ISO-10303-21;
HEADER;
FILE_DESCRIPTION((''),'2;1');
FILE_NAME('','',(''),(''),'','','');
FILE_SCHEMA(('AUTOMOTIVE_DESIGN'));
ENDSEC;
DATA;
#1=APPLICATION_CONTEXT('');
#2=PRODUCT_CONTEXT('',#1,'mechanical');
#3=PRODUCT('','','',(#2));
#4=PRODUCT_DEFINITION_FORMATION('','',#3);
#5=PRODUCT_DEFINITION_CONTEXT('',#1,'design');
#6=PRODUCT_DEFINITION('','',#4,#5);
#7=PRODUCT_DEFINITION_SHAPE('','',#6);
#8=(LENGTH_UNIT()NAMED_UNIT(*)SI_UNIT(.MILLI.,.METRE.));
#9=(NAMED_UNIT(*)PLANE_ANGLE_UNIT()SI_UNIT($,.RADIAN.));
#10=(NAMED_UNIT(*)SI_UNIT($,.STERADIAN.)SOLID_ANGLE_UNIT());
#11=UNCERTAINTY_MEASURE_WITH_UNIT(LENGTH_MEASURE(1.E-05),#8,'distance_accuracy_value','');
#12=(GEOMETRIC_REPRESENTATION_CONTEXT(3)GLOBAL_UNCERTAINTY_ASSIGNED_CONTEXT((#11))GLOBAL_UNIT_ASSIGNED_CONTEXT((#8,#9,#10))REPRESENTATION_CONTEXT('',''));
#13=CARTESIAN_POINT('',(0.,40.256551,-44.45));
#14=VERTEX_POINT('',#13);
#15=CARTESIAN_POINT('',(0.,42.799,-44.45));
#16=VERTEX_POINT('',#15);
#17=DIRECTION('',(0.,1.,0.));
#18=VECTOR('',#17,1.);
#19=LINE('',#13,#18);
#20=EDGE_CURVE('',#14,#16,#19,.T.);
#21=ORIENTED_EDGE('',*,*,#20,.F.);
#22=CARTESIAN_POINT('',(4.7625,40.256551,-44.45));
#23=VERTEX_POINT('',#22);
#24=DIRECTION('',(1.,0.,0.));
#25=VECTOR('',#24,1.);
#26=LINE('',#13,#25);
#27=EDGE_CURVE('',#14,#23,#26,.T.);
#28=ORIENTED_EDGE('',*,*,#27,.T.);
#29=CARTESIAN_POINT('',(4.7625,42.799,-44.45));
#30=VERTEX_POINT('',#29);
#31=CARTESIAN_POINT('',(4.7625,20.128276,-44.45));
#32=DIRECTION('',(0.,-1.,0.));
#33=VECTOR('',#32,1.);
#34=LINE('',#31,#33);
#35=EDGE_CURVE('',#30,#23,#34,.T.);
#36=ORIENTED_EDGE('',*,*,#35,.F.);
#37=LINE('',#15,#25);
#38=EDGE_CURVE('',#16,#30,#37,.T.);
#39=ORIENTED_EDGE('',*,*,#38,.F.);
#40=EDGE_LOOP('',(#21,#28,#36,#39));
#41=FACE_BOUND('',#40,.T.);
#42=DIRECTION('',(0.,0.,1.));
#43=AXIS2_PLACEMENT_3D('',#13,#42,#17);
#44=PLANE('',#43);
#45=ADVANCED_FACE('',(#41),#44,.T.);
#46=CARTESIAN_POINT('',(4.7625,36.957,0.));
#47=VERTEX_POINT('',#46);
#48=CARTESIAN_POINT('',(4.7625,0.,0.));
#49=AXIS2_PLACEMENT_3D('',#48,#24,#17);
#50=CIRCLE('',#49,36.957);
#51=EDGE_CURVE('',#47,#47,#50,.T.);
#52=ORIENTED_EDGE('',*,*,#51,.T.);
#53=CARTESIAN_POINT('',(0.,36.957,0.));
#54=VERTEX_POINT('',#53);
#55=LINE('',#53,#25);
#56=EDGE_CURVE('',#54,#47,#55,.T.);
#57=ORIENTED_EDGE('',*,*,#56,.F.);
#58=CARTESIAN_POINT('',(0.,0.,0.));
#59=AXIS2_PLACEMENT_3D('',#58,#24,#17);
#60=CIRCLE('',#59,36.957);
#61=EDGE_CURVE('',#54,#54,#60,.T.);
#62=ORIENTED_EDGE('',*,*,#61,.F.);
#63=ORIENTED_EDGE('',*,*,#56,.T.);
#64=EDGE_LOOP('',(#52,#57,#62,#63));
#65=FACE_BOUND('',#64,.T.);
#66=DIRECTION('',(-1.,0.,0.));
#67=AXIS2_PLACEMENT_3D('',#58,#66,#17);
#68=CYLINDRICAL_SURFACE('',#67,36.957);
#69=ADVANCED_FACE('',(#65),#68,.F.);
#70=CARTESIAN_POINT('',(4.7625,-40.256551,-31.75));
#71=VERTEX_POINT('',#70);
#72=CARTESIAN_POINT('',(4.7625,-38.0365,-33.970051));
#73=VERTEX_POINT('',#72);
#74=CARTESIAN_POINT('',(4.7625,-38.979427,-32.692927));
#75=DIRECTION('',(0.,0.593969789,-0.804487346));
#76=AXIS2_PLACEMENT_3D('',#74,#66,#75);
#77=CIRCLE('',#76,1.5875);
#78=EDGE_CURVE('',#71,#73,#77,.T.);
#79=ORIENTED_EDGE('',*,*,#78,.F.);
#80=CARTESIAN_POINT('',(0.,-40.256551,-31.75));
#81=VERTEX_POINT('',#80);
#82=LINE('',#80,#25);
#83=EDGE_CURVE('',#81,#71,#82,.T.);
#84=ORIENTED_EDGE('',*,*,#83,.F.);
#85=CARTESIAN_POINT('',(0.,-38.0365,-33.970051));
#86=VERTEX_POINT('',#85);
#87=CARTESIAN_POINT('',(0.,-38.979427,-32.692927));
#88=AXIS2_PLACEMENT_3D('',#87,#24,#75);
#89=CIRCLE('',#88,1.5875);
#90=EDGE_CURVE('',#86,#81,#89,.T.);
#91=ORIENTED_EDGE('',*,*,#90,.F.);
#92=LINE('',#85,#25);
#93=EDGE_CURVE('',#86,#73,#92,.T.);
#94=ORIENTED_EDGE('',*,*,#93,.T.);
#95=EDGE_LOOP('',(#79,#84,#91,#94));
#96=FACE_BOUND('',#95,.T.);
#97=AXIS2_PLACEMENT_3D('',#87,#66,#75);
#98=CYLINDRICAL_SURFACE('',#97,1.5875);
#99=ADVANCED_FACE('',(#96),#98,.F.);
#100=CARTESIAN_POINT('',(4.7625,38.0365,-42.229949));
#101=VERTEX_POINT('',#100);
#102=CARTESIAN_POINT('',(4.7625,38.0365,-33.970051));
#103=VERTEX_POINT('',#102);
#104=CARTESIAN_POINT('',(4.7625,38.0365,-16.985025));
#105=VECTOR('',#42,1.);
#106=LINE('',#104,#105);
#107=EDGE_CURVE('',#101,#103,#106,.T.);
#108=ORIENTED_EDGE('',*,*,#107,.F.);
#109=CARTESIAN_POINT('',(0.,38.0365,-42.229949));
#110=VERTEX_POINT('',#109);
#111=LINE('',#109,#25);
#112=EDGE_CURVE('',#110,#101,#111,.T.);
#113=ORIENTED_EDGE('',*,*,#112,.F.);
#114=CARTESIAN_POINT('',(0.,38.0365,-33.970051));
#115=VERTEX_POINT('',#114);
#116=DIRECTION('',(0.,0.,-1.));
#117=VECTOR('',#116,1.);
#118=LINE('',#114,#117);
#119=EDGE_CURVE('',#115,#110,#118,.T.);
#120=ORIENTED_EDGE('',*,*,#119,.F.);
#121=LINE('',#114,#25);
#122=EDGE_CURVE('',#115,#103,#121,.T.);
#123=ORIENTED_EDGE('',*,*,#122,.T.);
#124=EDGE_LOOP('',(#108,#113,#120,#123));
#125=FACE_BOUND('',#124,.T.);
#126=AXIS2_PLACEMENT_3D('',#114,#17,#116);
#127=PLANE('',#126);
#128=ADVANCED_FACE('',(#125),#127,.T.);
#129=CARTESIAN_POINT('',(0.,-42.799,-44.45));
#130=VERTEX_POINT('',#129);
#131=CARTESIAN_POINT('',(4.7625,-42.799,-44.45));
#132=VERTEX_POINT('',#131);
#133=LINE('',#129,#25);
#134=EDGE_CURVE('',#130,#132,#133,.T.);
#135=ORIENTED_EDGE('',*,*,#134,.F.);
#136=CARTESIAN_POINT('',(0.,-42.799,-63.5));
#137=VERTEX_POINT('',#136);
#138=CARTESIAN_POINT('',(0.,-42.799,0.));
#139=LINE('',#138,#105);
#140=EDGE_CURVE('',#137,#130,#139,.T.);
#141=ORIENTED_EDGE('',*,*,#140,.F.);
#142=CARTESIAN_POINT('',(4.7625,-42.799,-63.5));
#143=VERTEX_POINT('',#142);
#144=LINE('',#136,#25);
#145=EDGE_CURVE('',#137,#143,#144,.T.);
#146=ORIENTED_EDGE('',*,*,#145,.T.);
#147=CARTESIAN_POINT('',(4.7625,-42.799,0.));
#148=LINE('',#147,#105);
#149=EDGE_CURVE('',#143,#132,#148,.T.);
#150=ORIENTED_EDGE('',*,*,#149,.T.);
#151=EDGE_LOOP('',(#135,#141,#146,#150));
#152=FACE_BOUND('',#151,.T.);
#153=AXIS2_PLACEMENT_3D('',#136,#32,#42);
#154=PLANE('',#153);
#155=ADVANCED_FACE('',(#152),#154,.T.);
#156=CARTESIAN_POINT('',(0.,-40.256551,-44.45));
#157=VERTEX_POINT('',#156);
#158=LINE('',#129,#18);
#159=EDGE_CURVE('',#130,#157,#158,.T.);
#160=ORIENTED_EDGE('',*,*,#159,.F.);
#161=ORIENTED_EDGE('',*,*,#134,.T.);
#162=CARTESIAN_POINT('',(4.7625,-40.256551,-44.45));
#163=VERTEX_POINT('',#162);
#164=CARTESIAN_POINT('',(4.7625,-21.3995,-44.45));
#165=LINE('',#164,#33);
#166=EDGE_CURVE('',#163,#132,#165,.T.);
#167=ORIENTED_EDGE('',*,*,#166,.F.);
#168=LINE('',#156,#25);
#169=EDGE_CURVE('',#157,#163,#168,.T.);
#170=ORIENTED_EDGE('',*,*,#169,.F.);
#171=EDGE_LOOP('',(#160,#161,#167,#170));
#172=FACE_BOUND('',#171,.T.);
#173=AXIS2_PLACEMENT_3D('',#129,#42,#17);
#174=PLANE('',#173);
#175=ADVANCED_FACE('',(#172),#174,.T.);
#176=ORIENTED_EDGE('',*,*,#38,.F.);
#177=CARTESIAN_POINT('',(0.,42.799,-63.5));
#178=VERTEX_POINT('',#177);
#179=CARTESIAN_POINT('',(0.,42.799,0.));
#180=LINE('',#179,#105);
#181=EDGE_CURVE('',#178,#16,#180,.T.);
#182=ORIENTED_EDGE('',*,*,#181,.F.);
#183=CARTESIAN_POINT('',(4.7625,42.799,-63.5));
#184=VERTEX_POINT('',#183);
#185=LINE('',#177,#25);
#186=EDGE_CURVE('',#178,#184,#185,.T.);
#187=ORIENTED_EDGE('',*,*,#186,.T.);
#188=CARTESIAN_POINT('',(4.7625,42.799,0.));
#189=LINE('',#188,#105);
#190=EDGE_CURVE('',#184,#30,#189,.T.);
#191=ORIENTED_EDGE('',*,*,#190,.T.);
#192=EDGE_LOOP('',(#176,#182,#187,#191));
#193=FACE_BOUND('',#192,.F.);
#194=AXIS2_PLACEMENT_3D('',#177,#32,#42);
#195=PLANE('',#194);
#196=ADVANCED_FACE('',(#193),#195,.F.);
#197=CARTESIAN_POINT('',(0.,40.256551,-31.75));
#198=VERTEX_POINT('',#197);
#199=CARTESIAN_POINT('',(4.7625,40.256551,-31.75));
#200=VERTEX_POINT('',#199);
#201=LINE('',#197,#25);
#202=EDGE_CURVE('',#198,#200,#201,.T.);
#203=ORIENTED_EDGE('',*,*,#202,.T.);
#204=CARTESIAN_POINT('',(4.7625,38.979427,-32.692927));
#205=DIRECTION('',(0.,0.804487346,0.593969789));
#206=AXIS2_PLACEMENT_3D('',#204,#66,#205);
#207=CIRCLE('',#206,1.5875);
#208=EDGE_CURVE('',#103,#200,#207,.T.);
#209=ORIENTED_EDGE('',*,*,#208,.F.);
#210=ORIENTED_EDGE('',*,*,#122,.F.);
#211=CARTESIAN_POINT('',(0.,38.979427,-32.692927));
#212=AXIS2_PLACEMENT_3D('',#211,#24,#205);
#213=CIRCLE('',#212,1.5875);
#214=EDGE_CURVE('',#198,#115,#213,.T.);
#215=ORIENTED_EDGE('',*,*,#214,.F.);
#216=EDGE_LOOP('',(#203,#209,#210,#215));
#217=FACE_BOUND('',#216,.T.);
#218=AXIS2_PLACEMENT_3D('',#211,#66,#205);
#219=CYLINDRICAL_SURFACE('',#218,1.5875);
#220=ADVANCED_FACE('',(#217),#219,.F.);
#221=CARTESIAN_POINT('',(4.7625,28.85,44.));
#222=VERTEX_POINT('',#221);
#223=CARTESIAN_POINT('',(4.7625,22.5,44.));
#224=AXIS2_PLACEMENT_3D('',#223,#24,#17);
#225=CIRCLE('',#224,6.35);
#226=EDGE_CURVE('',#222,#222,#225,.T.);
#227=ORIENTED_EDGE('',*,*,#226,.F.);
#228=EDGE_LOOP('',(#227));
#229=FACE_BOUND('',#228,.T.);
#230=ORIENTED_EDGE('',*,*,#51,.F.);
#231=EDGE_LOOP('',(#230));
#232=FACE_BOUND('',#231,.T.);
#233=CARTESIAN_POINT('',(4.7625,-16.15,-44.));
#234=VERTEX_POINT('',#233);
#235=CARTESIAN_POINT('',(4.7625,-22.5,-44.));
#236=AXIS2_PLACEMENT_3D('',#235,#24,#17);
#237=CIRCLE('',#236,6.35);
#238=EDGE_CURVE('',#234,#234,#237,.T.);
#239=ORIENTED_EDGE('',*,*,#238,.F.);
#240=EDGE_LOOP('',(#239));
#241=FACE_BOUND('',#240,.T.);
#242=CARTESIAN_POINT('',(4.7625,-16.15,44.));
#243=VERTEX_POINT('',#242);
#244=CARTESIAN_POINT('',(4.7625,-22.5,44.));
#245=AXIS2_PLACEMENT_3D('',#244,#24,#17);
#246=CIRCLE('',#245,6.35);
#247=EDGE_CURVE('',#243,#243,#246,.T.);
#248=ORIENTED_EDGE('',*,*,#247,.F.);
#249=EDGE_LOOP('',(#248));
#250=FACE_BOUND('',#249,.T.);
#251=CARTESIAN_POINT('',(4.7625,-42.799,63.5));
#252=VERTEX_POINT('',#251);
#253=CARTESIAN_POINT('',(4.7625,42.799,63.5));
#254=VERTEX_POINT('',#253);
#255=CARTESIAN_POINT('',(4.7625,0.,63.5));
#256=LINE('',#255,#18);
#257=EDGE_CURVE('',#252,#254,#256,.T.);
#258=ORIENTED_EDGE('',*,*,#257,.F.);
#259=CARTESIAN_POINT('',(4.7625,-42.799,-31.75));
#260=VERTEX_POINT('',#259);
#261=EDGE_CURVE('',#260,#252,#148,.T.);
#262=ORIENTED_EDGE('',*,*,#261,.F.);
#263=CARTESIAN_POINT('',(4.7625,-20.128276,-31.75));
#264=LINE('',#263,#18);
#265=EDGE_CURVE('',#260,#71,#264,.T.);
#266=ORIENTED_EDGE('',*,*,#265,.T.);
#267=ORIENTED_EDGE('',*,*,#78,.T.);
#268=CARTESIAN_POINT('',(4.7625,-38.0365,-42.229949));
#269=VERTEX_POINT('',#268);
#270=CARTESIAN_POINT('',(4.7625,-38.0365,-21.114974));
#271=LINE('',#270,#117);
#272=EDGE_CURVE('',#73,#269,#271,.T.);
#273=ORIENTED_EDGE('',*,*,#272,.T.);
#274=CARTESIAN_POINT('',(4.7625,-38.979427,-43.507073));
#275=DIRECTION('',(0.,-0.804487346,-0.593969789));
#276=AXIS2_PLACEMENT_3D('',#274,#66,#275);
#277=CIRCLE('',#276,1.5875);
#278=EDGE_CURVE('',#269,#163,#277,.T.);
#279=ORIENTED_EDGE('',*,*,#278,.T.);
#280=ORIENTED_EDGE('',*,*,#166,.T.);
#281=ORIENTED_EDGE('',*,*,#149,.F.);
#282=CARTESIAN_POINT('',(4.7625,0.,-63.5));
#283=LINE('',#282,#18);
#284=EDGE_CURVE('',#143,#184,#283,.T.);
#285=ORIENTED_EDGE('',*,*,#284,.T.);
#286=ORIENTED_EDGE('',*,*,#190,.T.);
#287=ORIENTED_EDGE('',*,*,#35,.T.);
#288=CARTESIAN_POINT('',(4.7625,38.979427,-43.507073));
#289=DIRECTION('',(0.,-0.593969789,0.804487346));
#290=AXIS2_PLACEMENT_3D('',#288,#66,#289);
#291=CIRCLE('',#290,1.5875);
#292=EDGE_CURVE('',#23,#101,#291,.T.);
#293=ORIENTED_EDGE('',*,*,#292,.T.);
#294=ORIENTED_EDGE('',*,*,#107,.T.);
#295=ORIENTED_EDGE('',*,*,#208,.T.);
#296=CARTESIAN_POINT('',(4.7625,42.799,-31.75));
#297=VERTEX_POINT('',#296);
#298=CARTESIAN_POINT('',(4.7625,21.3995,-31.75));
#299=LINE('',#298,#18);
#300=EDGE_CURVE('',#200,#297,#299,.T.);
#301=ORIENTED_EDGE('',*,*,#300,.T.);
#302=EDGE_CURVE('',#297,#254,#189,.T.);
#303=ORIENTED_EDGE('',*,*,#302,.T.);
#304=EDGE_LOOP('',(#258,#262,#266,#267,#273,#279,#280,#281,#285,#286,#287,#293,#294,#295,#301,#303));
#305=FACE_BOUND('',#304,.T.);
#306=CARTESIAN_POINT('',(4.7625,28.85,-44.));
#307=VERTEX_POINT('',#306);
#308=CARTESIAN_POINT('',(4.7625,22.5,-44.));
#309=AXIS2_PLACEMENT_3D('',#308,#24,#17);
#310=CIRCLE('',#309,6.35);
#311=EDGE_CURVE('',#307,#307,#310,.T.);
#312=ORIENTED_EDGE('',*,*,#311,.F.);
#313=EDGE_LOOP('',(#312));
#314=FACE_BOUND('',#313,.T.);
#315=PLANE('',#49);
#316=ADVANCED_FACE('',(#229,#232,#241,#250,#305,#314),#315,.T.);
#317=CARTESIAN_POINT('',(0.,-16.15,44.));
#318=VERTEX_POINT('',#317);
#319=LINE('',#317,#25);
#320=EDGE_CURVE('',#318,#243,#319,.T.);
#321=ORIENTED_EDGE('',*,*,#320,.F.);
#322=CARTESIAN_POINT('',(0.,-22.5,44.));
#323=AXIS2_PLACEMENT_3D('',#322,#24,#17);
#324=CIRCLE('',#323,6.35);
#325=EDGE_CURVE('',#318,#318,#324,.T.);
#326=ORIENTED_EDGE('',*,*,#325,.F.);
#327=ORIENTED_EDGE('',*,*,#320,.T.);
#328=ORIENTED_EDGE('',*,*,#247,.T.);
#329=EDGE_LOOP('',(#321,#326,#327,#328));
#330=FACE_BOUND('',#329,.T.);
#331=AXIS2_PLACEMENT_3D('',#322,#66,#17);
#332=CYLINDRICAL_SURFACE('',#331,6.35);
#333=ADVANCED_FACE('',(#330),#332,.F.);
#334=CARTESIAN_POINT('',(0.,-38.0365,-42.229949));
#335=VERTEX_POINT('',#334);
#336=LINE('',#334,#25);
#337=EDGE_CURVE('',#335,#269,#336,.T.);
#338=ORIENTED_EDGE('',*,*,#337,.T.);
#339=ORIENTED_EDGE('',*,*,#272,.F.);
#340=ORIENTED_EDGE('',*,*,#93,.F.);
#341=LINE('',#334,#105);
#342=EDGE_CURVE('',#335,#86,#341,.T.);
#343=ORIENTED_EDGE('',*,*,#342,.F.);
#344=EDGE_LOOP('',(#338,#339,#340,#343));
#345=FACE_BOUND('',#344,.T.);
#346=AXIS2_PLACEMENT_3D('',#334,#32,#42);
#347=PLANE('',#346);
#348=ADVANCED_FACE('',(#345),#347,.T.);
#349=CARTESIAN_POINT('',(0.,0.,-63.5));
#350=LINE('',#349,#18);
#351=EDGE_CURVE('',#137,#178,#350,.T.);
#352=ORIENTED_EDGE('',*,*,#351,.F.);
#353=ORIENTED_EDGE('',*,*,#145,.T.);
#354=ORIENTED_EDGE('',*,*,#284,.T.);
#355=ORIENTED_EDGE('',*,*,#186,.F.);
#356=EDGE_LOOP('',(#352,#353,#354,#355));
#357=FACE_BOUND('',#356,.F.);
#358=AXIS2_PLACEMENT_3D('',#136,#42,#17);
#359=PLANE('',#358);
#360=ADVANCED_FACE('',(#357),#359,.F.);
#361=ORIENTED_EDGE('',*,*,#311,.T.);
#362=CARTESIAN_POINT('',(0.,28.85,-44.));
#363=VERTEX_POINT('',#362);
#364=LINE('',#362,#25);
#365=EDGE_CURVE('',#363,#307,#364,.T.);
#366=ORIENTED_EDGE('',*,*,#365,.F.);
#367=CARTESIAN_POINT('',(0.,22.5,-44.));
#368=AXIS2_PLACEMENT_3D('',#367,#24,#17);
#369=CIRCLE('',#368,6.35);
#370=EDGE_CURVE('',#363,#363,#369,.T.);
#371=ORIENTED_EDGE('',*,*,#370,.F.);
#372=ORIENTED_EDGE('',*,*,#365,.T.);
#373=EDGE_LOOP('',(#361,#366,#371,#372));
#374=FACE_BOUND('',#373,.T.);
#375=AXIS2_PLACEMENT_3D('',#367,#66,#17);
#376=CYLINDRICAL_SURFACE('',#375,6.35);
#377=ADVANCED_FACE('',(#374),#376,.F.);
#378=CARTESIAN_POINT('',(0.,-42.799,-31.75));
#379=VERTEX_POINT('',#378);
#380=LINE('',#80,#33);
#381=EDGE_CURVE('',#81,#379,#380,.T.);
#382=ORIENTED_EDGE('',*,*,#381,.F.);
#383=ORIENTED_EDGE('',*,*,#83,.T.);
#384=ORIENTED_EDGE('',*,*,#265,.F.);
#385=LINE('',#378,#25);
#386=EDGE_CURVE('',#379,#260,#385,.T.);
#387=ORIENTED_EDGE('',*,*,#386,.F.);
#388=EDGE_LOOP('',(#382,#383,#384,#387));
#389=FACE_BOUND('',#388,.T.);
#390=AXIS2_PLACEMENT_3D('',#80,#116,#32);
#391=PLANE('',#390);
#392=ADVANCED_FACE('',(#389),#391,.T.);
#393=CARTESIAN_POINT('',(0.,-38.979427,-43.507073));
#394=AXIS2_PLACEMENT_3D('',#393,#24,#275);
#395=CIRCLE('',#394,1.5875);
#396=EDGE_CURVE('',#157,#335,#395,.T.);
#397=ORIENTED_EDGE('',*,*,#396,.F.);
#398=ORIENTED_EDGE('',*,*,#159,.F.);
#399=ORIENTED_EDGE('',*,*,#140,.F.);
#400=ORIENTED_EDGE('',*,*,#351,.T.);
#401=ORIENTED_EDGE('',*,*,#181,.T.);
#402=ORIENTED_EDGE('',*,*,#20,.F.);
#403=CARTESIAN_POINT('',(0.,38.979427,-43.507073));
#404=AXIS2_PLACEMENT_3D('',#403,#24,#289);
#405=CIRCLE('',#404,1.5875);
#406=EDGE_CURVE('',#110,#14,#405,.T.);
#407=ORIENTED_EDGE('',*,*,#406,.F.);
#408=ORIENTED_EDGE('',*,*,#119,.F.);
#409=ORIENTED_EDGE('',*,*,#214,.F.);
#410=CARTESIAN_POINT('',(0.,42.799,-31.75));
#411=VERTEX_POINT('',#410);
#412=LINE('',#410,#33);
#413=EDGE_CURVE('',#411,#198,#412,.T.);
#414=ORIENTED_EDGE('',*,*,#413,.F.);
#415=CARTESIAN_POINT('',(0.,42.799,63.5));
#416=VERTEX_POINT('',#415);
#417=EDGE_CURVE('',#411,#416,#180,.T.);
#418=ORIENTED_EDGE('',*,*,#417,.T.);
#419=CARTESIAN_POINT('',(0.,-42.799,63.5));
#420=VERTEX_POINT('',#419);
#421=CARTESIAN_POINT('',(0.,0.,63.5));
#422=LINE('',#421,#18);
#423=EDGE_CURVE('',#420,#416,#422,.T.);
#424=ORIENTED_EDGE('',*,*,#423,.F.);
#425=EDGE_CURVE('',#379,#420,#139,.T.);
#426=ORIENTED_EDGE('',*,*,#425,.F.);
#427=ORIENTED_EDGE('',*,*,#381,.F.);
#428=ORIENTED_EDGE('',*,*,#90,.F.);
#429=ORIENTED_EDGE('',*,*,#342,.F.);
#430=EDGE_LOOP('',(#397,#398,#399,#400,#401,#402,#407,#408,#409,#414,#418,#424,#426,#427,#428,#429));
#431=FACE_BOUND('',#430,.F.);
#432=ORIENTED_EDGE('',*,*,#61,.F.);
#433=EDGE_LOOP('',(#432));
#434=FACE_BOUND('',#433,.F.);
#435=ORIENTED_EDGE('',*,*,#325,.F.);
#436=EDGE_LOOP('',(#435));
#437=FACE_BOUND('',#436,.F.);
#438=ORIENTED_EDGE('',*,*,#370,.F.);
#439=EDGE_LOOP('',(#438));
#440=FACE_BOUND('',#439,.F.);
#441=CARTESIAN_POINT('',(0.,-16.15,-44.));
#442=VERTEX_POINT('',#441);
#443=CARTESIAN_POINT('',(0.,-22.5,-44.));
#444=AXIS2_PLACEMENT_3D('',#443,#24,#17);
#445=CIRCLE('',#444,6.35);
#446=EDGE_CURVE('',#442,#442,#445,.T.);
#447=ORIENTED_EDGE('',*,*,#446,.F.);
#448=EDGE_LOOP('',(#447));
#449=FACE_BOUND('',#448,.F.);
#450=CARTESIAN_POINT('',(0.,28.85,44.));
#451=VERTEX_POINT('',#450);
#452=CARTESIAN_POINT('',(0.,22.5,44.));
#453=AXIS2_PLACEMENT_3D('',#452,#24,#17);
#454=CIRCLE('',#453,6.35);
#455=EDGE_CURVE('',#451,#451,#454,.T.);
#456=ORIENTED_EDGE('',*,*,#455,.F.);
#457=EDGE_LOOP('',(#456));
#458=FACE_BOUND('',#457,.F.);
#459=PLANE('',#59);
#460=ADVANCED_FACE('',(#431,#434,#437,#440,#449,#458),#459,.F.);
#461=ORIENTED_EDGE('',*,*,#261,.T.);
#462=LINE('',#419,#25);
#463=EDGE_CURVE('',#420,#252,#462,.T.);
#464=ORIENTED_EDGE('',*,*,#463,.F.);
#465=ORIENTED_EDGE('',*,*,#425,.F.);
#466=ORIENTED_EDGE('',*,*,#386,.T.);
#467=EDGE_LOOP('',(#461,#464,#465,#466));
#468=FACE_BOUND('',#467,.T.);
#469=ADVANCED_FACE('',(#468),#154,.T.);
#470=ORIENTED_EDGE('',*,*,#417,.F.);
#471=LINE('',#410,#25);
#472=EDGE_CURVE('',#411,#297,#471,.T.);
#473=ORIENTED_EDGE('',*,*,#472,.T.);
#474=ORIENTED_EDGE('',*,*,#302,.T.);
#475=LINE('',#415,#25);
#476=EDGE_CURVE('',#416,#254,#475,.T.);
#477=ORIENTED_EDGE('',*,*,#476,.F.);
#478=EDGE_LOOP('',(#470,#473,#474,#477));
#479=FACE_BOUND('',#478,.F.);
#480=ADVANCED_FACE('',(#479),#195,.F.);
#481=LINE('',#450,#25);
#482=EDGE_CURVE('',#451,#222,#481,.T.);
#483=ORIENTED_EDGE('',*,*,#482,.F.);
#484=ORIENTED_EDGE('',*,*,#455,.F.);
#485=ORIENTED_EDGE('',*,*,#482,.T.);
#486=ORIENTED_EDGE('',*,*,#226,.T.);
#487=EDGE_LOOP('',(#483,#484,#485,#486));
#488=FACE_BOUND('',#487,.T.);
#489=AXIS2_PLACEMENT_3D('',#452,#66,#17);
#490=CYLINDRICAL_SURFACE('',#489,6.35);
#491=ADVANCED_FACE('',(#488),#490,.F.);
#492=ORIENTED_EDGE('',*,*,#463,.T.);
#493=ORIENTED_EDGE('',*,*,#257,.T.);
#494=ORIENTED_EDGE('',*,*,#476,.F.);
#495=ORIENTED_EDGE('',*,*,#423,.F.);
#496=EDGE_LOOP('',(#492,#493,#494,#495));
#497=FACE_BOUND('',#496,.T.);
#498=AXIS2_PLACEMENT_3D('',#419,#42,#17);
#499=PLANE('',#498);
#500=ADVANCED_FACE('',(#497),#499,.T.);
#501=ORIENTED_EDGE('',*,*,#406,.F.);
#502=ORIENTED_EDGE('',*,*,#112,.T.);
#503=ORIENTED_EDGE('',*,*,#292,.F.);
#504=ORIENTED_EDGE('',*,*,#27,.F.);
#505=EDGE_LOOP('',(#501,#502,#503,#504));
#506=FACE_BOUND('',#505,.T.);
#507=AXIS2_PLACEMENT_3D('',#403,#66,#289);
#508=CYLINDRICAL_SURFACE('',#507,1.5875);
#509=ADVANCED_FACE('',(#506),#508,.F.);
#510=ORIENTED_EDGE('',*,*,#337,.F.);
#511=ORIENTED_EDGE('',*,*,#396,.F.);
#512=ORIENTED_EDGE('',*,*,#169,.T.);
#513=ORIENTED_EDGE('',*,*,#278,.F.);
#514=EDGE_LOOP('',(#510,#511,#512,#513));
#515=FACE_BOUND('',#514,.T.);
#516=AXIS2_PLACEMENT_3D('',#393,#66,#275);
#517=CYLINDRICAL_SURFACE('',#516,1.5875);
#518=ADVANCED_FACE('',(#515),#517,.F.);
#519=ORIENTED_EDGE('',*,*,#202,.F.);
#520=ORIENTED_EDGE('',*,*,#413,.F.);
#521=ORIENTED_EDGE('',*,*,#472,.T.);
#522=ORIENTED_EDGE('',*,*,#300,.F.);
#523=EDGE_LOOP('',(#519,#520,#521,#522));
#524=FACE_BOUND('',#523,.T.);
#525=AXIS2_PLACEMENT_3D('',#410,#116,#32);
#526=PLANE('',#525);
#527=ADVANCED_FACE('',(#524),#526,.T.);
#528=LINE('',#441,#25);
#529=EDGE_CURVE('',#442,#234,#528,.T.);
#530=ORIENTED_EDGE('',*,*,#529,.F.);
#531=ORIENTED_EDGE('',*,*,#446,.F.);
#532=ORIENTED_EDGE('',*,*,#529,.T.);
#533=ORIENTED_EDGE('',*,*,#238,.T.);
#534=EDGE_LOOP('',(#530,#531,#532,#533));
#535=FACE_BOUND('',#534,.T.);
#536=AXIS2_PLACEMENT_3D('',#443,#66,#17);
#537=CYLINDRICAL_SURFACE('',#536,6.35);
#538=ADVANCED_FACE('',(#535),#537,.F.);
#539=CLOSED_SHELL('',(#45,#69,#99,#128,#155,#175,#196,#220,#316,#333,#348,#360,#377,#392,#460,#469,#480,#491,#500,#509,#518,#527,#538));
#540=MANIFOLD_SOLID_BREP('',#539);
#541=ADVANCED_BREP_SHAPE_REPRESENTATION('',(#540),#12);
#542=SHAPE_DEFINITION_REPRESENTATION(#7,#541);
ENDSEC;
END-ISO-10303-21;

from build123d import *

# Parameters (mm, degrees)
F0_W     = 85.598
F0_H     = 127
F0_R     = 6.35
F0_R_2   = 36.957
F1_DEPTH = 4.7625
F3_DEPTH = 4.7635


with BuildPart() as f1:
    # F0 (on Right) → F1 (new body)
    with BuildSketch(Plane.YZ):
        Rectangle(F0_W, F0_H)
        with Locations((-22.5, -44)):
            Circle(F0_R, mode=Mode.SUBTRACT)
        with Locations((22.5, -44)):
            Circle(F0_R, mode=Mode.SUBTRACT)
        with Locations((-22.5, 44)):
            Circle(F0_R, mode=Mode.SUBTRACT)
        Circle(F0_R_2, mode=Mode.SUBTRACT)
        with Locations((22.5, 44)):
            Circle(F0_R, mode=Mode.SUBTRACT)
    extrude(amount=F1_DEPTH)

    # F2 (on Right) → F3 (cut, through all)
    with BuildSketch(Plane.YZ):
        with BuildLine():
            Line((-42.799, -31.75), (-42.799, -44.45))
            Line((-42.799, -44.45), (-40.256551, -44.45))
            ThreePointArc((-40.256551, -44.45), (-37.856895, -44.629605), (-38.0365, -42.229949))
            Line((-38.0365, -42.229949), (-38.0365, -33.970051))
            ThreePointArc((-38.0365, -33.970051), (-37.856895, -31.570395), (-40.256551, -31.75))
            Line((-40.256551, -31.75), (-42.799, -31.75))
        make_face()
        with BuildLine():
            Line((42.799, -44.45), (42.799, -31.75))
            Line((42.799, -31.75), (40.256551, -31.75))
            ThreePointArc((40.256551, -31.75), (37.856895, -31.570395), (38.0365, -33.970051))
            Line((38.0365, -33.970051), (38.0365, -42.229949))
            ThreePointArc((38.0365, -42.229949), (37.856895, -44.629605), (40.256551, -44.45))
            Line((40.256551, -44.45), (42.799, -44.45))
        make_face()
    extrude(amount=F3_DEPTH, mode=Mode.SUBTRACT)


solid = f1.part
